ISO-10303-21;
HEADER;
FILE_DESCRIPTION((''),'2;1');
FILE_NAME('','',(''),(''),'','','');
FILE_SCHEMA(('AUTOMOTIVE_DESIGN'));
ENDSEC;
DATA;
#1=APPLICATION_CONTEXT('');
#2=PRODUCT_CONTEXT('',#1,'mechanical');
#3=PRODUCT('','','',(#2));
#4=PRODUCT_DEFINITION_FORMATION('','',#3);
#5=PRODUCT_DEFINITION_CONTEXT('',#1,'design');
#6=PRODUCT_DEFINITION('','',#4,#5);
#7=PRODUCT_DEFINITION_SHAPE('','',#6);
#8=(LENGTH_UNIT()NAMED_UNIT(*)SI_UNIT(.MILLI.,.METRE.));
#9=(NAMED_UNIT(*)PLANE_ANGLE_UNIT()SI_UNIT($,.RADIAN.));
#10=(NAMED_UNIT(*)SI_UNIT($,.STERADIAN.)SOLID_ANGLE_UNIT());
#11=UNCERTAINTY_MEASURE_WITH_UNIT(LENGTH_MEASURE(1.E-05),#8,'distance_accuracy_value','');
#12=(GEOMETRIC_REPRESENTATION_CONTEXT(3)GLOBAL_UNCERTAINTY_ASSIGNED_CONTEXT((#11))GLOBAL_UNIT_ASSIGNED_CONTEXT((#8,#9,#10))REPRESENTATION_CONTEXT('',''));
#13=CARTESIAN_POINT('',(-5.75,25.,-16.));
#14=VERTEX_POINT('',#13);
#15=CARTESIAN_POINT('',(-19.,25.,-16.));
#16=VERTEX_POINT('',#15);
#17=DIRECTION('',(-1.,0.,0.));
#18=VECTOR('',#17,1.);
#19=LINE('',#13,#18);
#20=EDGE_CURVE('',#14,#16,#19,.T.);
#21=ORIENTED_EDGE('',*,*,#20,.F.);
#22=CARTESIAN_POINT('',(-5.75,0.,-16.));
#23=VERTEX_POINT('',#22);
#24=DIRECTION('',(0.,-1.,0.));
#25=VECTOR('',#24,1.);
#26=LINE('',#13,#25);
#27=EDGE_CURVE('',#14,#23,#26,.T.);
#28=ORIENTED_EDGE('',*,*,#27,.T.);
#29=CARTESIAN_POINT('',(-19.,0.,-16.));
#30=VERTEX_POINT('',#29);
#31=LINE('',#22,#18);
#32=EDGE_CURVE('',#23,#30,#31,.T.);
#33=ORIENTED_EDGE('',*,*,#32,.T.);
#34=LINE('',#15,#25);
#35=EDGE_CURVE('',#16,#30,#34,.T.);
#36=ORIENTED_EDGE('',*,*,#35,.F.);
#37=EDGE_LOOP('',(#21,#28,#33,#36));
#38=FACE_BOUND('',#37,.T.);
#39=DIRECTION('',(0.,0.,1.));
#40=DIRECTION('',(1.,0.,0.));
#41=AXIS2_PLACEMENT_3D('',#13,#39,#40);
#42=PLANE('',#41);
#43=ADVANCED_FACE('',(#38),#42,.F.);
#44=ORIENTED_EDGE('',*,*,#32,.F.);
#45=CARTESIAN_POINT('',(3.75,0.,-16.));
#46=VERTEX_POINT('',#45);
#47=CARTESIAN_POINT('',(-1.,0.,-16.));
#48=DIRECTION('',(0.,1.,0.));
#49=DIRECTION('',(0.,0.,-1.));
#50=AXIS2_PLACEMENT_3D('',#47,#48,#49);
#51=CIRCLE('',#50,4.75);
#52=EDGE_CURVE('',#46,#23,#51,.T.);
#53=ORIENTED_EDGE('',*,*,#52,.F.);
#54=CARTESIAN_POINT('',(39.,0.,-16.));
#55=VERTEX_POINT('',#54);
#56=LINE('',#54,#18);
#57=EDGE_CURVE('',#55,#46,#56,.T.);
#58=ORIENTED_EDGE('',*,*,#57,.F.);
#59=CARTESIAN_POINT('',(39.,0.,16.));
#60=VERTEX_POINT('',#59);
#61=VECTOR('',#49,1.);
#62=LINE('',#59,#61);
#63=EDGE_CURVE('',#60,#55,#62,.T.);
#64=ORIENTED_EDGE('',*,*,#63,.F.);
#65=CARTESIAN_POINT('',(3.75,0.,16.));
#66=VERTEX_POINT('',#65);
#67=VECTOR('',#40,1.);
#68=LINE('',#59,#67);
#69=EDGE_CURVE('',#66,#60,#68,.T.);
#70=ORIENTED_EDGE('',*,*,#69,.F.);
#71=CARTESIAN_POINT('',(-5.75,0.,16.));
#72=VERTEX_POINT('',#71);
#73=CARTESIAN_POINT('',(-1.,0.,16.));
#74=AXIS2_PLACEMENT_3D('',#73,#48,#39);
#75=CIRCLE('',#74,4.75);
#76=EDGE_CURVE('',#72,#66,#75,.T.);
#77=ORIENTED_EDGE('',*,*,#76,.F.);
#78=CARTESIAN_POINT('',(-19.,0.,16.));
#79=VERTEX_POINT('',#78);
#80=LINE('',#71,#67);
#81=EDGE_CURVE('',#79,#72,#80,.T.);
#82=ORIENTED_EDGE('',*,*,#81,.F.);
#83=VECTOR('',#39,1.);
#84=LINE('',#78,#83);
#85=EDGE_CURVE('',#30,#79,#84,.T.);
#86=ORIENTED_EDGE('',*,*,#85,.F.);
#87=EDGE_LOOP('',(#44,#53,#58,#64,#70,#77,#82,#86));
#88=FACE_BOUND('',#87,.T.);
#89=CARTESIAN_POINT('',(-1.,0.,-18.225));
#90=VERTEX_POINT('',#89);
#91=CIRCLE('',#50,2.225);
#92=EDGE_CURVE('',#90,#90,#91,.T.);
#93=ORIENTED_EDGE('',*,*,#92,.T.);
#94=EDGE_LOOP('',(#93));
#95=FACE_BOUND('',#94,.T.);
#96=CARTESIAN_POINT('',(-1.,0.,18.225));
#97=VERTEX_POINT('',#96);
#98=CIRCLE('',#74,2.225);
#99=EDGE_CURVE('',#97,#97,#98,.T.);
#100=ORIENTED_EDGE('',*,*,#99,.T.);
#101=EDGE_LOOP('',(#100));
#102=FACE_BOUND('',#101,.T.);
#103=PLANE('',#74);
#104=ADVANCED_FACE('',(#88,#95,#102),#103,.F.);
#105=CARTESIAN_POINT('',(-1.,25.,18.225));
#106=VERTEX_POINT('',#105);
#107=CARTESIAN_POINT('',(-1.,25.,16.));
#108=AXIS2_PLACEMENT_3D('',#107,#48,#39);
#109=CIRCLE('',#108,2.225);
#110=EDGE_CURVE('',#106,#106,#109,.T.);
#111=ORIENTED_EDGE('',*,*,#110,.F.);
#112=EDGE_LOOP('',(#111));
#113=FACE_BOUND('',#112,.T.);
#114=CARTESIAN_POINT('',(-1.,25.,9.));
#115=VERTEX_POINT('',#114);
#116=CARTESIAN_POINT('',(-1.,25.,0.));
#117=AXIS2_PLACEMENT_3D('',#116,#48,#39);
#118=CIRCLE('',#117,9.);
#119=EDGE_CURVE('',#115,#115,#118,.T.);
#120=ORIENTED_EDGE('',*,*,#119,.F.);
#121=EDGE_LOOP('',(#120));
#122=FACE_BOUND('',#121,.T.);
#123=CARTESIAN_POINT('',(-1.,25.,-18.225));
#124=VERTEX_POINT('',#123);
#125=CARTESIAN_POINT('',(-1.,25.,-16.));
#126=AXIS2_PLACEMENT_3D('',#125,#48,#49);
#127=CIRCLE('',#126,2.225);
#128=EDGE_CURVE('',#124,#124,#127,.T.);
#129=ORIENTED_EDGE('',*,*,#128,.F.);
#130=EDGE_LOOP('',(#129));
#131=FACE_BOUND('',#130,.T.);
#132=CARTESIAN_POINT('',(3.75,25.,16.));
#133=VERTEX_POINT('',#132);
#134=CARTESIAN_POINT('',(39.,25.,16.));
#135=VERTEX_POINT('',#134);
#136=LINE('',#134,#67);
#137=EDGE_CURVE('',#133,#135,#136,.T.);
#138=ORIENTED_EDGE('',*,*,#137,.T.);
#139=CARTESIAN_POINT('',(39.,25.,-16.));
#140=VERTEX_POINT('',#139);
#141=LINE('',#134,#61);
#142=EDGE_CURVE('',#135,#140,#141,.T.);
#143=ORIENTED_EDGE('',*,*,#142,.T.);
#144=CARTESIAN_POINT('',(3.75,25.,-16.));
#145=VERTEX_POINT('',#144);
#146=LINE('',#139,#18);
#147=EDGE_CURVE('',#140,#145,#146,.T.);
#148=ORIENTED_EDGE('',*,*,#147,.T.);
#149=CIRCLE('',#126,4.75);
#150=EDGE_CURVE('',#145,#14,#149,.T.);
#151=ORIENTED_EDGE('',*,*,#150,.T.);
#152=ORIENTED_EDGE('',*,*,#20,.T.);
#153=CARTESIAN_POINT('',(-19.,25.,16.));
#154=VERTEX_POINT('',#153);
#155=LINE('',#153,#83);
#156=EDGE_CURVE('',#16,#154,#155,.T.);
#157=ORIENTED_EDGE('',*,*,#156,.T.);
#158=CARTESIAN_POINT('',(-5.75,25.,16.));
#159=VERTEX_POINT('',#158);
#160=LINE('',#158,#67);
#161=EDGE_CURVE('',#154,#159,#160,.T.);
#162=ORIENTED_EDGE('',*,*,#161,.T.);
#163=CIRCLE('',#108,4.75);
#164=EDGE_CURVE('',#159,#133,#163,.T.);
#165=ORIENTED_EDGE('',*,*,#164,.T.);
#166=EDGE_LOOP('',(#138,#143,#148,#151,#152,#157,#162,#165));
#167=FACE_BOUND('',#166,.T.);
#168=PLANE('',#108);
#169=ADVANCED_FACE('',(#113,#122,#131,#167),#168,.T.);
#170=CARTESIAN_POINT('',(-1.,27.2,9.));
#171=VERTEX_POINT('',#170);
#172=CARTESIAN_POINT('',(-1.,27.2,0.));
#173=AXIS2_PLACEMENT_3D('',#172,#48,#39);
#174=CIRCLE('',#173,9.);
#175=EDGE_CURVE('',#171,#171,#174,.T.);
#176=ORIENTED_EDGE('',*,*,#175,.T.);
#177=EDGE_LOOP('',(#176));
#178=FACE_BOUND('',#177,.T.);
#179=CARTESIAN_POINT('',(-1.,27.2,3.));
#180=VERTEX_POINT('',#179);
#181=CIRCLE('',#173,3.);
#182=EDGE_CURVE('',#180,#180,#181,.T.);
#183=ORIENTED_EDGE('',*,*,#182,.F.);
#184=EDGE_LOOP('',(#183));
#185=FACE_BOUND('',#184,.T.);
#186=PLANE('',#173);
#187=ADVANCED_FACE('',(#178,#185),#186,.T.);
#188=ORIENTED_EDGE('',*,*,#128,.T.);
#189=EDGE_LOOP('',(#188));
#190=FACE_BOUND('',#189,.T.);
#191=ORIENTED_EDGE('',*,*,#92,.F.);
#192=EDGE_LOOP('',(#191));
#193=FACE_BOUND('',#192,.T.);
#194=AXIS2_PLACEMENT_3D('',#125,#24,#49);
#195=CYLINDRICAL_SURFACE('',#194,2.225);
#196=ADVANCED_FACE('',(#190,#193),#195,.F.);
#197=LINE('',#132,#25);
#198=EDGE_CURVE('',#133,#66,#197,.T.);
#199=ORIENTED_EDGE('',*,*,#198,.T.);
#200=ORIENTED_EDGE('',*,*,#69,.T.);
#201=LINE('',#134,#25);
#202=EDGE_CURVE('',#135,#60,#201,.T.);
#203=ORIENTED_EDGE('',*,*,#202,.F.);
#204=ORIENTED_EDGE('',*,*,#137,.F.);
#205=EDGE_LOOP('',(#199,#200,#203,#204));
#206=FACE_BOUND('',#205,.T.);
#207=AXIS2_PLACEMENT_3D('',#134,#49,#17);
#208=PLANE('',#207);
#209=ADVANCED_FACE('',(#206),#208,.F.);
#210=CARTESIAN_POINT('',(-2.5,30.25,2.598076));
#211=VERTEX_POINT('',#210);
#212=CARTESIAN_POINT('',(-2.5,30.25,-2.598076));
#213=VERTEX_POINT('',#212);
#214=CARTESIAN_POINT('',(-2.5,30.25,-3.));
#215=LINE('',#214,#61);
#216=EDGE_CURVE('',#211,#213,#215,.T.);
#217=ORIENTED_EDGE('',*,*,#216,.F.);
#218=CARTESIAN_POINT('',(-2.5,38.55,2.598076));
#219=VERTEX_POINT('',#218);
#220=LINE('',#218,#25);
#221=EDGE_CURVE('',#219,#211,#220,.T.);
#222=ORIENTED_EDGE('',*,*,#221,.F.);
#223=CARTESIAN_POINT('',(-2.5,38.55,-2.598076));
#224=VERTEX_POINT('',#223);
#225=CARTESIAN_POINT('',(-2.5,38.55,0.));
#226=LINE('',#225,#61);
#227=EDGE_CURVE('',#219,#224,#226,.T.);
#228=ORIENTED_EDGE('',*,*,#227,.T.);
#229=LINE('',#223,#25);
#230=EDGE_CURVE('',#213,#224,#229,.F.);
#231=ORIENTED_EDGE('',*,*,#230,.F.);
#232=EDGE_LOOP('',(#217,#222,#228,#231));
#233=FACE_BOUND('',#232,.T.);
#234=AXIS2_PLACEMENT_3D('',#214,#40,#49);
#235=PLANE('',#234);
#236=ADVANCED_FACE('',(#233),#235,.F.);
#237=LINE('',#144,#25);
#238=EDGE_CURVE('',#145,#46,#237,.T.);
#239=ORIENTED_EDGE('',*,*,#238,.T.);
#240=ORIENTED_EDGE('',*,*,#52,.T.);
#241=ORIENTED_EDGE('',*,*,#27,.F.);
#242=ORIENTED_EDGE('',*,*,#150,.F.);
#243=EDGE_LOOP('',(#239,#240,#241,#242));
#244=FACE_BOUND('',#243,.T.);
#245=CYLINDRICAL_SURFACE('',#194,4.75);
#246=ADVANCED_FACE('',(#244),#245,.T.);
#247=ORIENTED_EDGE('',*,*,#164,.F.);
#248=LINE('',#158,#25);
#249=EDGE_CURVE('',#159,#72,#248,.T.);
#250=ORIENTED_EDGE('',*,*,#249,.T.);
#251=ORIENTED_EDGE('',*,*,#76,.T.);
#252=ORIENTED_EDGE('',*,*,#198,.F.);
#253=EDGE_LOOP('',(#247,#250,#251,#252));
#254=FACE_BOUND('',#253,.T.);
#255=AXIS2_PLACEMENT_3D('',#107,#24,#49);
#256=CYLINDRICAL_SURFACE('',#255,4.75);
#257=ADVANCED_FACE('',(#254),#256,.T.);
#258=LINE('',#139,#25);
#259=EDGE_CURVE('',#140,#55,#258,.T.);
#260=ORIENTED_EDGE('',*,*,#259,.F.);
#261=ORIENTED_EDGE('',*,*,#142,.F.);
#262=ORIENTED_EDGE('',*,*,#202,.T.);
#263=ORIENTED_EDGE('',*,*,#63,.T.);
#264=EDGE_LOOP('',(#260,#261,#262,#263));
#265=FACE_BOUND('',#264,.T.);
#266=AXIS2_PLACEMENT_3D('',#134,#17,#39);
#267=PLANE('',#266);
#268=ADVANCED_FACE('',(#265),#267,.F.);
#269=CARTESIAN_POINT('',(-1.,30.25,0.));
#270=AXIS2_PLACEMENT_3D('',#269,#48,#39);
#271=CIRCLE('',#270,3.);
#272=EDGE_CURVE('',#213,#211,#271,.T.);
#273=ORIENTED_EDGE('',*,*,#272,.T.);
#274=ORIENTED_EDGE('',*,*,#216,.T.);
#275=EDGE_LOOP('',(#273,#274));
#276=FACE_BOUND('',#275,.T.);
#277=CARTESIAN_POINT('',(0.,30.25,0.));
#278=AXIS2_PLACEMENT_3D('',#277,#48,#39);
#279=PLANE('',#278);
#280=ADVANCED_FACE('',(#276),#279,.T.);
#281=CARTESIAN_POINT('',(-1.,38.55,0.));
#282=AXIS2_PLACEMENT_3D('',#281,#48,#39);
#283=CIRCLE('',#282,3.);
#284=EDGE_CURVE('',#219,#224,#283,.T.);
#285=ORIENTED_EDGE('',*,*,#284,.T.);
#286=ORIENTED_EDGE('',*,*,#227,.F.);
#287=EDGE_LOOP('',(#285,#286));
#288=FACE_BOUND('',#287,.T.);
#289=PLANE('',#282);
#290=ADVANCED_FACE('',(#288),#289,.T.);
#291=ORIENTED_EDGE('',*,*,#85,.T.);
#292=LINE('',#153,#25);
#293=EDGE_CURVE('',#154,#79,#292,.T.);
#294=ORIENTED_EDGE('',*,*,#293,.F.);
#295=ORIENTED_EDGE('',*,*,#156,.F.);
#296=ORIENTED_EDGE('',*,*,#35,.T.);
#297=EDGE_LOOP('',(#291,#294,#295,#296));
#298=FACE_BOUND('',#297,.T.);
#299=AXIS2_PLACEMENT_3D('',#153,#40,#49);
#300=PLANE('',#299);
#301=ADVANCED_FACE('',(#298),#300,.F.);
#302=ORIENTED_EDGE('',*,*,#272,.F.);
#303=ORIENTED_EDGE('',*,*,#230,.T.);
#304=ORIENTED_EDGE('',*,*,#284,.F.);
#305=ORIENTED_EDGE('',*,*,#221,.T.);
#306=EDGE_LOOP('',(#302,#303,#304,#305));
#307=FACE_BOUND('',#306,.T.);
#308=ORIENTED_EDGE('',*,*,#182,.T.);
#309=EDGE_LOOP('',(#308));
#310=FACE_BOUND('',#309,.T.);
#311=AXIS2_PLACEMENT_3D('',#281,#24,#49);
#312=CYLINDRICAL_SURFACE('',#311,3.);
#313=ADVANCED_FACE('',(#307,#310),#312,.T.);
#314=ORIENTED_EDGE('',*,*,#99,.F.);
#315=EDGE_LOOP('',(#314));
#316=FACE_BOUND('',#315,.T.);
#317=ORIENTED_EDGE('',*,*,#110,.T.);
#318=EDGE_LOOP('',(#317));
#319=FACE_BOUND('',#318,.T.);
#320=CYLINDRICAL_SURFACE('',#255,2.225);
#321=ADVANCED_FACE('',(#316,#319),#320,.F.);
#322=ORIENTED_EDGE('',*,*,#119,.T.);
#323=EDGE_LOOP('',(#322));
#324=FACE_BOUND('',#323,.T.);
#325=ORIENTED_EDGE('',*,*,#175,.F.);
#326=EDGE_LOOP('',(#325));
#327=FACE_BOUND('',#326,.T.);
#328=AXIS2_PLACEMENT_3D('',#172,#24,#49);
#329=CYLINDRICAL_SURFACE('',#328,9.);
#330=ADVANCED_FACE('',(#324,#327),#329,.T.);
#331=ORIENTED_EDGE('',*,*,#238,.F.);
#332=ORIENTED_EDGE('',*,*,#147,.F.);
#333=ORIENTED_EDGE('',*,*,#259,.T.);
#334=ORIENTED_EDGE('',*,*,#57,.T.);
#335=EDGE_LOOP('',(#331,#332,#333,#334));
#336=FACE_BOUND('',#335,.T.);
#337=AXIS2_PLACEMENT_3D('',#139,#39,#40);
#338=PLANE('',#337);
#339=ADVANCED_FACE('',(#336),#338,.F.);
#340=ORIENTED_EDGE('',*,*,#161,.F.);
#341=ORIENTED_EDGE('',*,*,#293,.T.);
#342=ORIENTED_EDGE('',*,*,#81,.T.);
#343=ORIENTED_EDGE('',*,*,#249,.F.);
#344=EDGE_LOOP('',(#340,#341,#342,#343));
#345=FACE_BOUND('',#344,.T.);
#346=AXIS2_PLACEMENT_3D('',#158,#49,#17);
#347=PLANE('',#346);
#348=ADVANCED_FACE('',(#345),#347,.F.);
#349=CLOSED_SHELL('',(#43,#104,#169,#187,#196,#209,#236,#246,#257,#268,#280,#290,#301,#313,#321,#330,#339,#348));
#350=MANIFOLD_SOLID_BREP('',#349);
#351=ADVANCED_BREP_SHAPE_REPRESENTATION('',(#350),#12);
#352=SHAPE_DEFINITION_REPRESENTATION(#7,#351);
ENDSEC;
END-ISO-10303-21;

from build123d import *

# Parameters (mm, degrees)
SKETCH1_R           = 2.225
BOSS_EXTRUDE1_DEPTH = 25
SKETCH2_R           = 9
BOSS_EXTRUDE2_DEPTH = 2.2
SKETCH3_R           = 3
BOSS_EXTRUDE3_DEPTH = 11.35
SKETCH4_W           = 1.5
SKETCH4_H           = 6
CUT_EXTRUDE1_DEPTH  = 8.3


with BuildPart() as part:
    # Sketch1 → Boss-Extrude1 (new body)
    with BuildSketch(Plane(origin=(0, 0, 0), x_dir=(1, 0, 0), z_dir=(0, 1, 0))):
        with BuildLine():
            Line((-5.75, -16), (-19, -16))
            Line((-19, -16), (-19, 16))
            Line((-19, 16), (-5.75, 16))
            ThreePointArc((-5.75, 16), (-1, 20.75), (3.75, 16))
            Line((3.75, 16), (39, 16))
            Line((39, 16), (39, -16))
            Line((39, -16), (3.75, -16))
            ThreePointArc((3.75, -16), (-1, -20.75), (-5.75, -16))
        make_face()
        with Locations(Location((-1, -16, 0), (0, 0, 270))):
            Circle(SKETCH1_R, mode=Mode.SUBTRACT)
        with Locations(Location((-1, 16, 0), (0, 0, 90))):
            Circle(SKETCH1_R, mode=Mode.SUBTRACT)
    extrude(amount=BOSS_EXTRUDE1_DEPTH)

    # Sketch2 → Boss-Extrude2 (add)
    with BuildSketch(Plane(origin=(0, 25, 0), x_dir=(1, 0, 0), z_dir=(0, 1, 0))):
        with Locations(Location((-1, 0, 0), (0, 0, 270))):
            Circle(SKETCH2_R)
    extrude(amount=BOSS_EXTRUDE2_DEPTH)

    # Sketch3 → Boss-Extrude3 (add)
    with BuildSketch(Plane(origin=(0, 27.2, 0), x_dir=(1, 0, 0), z_dir=(0, 1, 0))):
        with Locations(Location((-1, 0, 0), (0, 0, 270))):
            Circle(SKETCH3_R)
    extrude(amount=BOSS_EXTRUDE3_DEPTH)

    # Sketch4 → Cut-Extrude1 (cut)
    with BuildSketch(Plane(origin=(0, 38.55, 0), x_dir=(1, 0, 0), z_dir=(0, 1, 0))):
        with Locations((-3.25, 0)):
            Rectangle(SKETCH4_W, SKETCH4_H)
    extrude(amount=-CUT_EXTRUDE1_DEPTH, mode=Mode.SUBTRACT)


solid = part.part
